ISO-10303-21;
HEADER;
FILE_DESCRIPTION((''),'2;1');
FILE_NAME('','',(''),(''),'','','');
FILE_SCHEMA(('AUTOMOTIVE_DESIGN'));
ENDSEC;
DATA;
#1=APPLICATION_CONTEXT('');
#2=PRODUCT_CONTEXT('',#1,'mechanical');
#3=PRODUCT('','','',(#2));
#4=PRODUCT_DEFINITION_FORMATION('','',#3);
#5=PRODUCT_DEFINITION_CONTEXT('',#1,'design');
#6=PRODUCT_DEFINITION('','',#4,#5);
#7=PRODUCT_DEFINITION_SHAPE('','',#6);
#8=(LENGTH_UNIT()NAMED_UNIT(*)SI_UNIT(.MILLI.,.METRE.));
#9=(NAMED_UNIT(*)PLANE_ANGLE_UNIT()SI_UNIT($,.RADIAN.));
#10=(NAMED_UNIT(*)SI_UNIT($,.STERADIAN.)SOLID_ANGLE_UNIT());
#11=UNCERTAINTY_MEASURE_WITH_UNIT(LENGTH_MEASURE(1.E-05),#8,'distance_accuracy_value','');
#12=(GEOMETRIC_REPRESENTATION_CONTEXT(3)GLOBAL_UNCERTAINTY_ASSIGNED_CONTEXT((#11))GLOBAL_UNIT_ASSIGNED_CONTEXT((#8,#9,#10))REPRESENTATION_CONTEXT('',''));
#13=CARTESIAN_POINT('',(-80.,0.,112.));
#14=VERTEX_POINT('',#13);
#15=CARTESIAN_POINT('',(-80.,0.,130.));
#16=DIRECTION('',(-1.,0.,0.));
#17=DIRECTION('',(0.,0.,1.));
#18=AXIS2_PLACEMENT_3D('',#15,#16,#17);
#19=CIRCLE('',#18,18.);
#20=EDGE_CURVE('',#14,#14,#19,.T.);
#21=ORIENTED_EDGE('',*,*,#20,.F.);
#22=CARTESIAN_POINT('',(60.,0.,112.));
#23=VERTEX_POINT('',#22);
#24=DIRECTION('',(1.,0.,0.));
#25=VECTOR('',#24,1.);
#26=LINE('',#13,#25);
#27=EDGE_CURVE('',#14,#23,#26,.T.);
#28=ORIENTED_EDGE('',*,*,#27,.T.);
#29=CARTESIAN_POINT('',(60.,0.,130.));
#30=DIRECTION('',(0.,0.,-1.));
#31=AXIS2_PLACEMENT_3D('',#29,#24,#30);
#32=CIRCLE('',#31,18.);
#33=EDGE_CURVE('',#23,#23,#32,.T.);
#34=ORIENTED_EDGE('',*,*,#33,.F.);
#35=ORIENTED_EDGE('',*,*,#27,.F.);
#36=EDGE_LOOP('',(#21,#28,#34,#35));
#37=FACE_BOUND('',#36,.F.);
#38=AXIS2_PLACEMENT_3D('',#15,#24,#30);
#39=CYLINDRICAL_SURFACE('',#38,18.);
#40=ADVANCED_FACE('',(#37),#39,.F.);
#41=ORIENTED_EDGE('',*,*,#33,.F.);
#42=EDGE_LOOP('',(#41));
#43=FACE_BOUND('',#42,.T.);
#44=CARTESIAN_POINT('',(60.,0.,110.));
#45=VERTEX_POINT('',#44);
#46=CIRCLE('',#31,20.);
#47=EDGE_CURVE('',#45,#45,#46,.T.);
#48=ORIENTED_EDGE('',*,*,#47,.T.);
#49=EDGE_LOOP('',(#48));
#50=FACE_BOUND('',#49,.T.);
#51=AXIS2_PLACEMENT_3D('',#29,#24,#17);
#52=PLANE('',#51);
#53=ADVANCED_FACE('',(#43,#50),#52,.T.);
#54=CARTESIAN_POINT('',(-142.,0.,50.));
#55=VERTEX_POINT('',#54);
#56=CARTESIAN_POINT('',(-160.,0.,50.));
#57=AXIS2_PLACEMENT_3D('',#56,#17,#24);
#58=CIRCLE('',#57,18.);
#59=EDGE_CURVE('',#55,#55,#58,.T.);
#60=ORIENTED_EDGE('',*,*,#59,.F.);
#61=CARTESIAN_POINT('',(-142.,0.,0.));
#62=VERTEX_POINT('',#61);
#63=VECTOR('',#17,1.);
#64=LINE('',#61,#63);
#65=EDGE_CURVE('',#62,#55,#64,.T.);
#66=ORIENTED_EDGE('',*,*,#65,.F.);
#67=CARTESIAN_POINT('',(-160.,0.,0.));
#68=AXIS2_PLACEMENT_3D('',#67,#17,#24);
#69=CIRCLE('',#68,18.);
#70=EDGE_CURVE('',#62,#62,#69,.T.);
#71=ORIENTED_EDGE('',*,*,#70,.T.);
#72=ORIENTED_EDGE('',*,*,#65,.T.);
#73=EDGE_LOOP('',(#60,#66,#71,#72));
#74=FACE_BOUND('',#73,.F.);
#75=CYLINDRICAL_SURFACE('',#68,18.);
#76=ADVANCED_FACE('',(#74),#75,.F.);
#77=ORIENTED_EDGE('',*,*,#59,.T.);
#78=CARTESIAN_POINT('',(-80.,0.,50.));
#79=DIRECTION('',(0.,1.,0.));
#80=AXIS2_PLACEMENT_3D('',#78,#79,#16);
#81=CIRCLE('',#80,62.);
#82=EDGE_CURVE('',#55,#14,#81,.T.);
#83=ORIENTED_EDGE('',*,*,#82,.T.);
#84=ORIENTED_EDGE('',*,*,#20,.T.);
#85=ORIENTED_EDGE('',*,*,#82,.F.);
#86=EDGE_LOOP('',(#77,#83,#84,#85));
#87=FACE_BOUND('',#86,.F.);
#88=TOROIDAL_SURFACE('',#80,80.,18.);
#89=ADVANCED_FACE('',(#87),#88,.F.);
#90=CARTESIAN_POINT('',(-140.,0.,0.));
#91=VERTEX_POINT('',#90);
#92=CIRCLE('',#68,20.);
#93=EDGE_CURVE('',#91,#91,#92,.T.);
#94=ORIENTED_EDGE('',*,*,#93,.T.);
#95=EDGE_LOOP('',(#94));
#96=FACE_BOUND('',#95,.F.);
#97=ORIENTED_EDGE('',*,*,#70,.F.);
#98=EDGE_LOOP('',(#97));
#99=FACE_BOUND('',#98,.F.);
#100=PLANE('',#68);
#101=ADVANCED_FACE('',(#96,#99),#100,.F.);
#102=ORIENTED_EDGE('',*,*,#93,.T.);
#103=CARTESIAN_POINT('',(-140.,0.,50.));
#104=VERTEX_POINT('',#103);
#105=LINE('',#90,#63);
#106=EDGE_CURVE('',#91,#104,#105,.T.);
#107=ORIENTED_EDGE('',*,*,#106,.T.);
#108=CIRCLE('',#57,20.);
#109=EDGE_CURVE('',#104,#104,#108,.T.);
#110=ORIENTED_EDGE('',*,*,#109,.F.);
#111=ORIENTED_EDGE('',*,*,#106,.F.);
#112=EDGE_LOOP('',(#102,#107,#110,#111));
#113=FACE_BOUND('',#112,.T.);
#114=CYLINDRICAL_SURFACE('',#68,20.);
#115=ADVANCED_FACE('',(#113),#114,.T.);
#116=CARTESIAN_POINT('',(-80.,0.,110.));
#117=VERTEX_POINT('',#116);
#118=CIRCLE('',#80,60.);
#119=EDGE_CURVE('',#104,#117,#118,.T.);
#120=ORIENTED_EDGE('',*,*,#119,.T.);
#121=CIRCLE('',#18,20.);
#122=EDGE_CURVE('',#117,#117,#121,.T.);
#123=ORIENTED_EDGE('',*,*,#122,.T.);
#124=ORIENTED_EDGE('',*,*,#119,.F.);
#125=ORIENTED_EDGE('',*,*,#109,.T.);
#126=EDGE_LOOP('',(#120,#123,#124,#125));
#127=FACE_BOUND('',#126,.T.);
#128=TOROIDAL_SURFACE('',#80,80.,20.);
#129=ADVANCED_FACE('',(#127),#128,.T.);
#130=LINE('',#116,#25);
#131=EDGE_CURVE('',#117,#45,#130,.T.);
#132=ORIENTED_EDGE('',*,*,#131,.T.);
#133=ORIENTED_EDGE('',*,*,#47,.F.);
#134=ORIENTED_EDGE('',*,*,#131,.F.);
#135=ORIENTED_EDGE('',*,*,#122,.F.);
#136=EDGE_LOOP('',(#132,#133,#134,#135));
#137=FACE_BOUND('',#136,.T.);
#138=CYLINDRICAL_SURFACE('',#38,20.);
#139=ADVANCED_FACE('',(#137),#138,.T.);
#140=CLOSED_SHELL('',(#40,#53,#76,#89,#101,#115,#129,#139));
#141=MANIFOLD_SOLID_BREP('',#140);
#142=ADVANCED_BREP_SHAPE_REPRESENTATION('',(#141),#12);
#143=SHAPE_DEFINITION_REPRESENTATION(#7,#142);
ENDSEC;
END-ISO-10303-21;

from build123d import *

# Parameters (mm, degrees)
F1_R = 20
F3_T = -2


with BuildPart() as f2:
    # F2: sweep along a path in F0
    with BuildLine(Plane.XZ) as f2_path:
        Line((-160, 0), (-160, 50))
        ThreePointArc((-160, 50), (-136.5685424949, 106.5685424949), (-80, 130))
        Line((-80, 130), (60, 130))
    # F1 (on Top) → F2 (sweep)
    with BuildSketch(Plane.XY):
        with Locations((-160, 0)):
            Circle(F1_R)
    sweep(path=f2_path.line)

    # F3
    f3_openings = [f2.faces().sort_by_distance(p)[0] for p in [
        (-160, 0, 0),
        (60, 0, 130),
    ]]
    offset(amount=F3_T, openings=f3_openings)


solid = f2.part
